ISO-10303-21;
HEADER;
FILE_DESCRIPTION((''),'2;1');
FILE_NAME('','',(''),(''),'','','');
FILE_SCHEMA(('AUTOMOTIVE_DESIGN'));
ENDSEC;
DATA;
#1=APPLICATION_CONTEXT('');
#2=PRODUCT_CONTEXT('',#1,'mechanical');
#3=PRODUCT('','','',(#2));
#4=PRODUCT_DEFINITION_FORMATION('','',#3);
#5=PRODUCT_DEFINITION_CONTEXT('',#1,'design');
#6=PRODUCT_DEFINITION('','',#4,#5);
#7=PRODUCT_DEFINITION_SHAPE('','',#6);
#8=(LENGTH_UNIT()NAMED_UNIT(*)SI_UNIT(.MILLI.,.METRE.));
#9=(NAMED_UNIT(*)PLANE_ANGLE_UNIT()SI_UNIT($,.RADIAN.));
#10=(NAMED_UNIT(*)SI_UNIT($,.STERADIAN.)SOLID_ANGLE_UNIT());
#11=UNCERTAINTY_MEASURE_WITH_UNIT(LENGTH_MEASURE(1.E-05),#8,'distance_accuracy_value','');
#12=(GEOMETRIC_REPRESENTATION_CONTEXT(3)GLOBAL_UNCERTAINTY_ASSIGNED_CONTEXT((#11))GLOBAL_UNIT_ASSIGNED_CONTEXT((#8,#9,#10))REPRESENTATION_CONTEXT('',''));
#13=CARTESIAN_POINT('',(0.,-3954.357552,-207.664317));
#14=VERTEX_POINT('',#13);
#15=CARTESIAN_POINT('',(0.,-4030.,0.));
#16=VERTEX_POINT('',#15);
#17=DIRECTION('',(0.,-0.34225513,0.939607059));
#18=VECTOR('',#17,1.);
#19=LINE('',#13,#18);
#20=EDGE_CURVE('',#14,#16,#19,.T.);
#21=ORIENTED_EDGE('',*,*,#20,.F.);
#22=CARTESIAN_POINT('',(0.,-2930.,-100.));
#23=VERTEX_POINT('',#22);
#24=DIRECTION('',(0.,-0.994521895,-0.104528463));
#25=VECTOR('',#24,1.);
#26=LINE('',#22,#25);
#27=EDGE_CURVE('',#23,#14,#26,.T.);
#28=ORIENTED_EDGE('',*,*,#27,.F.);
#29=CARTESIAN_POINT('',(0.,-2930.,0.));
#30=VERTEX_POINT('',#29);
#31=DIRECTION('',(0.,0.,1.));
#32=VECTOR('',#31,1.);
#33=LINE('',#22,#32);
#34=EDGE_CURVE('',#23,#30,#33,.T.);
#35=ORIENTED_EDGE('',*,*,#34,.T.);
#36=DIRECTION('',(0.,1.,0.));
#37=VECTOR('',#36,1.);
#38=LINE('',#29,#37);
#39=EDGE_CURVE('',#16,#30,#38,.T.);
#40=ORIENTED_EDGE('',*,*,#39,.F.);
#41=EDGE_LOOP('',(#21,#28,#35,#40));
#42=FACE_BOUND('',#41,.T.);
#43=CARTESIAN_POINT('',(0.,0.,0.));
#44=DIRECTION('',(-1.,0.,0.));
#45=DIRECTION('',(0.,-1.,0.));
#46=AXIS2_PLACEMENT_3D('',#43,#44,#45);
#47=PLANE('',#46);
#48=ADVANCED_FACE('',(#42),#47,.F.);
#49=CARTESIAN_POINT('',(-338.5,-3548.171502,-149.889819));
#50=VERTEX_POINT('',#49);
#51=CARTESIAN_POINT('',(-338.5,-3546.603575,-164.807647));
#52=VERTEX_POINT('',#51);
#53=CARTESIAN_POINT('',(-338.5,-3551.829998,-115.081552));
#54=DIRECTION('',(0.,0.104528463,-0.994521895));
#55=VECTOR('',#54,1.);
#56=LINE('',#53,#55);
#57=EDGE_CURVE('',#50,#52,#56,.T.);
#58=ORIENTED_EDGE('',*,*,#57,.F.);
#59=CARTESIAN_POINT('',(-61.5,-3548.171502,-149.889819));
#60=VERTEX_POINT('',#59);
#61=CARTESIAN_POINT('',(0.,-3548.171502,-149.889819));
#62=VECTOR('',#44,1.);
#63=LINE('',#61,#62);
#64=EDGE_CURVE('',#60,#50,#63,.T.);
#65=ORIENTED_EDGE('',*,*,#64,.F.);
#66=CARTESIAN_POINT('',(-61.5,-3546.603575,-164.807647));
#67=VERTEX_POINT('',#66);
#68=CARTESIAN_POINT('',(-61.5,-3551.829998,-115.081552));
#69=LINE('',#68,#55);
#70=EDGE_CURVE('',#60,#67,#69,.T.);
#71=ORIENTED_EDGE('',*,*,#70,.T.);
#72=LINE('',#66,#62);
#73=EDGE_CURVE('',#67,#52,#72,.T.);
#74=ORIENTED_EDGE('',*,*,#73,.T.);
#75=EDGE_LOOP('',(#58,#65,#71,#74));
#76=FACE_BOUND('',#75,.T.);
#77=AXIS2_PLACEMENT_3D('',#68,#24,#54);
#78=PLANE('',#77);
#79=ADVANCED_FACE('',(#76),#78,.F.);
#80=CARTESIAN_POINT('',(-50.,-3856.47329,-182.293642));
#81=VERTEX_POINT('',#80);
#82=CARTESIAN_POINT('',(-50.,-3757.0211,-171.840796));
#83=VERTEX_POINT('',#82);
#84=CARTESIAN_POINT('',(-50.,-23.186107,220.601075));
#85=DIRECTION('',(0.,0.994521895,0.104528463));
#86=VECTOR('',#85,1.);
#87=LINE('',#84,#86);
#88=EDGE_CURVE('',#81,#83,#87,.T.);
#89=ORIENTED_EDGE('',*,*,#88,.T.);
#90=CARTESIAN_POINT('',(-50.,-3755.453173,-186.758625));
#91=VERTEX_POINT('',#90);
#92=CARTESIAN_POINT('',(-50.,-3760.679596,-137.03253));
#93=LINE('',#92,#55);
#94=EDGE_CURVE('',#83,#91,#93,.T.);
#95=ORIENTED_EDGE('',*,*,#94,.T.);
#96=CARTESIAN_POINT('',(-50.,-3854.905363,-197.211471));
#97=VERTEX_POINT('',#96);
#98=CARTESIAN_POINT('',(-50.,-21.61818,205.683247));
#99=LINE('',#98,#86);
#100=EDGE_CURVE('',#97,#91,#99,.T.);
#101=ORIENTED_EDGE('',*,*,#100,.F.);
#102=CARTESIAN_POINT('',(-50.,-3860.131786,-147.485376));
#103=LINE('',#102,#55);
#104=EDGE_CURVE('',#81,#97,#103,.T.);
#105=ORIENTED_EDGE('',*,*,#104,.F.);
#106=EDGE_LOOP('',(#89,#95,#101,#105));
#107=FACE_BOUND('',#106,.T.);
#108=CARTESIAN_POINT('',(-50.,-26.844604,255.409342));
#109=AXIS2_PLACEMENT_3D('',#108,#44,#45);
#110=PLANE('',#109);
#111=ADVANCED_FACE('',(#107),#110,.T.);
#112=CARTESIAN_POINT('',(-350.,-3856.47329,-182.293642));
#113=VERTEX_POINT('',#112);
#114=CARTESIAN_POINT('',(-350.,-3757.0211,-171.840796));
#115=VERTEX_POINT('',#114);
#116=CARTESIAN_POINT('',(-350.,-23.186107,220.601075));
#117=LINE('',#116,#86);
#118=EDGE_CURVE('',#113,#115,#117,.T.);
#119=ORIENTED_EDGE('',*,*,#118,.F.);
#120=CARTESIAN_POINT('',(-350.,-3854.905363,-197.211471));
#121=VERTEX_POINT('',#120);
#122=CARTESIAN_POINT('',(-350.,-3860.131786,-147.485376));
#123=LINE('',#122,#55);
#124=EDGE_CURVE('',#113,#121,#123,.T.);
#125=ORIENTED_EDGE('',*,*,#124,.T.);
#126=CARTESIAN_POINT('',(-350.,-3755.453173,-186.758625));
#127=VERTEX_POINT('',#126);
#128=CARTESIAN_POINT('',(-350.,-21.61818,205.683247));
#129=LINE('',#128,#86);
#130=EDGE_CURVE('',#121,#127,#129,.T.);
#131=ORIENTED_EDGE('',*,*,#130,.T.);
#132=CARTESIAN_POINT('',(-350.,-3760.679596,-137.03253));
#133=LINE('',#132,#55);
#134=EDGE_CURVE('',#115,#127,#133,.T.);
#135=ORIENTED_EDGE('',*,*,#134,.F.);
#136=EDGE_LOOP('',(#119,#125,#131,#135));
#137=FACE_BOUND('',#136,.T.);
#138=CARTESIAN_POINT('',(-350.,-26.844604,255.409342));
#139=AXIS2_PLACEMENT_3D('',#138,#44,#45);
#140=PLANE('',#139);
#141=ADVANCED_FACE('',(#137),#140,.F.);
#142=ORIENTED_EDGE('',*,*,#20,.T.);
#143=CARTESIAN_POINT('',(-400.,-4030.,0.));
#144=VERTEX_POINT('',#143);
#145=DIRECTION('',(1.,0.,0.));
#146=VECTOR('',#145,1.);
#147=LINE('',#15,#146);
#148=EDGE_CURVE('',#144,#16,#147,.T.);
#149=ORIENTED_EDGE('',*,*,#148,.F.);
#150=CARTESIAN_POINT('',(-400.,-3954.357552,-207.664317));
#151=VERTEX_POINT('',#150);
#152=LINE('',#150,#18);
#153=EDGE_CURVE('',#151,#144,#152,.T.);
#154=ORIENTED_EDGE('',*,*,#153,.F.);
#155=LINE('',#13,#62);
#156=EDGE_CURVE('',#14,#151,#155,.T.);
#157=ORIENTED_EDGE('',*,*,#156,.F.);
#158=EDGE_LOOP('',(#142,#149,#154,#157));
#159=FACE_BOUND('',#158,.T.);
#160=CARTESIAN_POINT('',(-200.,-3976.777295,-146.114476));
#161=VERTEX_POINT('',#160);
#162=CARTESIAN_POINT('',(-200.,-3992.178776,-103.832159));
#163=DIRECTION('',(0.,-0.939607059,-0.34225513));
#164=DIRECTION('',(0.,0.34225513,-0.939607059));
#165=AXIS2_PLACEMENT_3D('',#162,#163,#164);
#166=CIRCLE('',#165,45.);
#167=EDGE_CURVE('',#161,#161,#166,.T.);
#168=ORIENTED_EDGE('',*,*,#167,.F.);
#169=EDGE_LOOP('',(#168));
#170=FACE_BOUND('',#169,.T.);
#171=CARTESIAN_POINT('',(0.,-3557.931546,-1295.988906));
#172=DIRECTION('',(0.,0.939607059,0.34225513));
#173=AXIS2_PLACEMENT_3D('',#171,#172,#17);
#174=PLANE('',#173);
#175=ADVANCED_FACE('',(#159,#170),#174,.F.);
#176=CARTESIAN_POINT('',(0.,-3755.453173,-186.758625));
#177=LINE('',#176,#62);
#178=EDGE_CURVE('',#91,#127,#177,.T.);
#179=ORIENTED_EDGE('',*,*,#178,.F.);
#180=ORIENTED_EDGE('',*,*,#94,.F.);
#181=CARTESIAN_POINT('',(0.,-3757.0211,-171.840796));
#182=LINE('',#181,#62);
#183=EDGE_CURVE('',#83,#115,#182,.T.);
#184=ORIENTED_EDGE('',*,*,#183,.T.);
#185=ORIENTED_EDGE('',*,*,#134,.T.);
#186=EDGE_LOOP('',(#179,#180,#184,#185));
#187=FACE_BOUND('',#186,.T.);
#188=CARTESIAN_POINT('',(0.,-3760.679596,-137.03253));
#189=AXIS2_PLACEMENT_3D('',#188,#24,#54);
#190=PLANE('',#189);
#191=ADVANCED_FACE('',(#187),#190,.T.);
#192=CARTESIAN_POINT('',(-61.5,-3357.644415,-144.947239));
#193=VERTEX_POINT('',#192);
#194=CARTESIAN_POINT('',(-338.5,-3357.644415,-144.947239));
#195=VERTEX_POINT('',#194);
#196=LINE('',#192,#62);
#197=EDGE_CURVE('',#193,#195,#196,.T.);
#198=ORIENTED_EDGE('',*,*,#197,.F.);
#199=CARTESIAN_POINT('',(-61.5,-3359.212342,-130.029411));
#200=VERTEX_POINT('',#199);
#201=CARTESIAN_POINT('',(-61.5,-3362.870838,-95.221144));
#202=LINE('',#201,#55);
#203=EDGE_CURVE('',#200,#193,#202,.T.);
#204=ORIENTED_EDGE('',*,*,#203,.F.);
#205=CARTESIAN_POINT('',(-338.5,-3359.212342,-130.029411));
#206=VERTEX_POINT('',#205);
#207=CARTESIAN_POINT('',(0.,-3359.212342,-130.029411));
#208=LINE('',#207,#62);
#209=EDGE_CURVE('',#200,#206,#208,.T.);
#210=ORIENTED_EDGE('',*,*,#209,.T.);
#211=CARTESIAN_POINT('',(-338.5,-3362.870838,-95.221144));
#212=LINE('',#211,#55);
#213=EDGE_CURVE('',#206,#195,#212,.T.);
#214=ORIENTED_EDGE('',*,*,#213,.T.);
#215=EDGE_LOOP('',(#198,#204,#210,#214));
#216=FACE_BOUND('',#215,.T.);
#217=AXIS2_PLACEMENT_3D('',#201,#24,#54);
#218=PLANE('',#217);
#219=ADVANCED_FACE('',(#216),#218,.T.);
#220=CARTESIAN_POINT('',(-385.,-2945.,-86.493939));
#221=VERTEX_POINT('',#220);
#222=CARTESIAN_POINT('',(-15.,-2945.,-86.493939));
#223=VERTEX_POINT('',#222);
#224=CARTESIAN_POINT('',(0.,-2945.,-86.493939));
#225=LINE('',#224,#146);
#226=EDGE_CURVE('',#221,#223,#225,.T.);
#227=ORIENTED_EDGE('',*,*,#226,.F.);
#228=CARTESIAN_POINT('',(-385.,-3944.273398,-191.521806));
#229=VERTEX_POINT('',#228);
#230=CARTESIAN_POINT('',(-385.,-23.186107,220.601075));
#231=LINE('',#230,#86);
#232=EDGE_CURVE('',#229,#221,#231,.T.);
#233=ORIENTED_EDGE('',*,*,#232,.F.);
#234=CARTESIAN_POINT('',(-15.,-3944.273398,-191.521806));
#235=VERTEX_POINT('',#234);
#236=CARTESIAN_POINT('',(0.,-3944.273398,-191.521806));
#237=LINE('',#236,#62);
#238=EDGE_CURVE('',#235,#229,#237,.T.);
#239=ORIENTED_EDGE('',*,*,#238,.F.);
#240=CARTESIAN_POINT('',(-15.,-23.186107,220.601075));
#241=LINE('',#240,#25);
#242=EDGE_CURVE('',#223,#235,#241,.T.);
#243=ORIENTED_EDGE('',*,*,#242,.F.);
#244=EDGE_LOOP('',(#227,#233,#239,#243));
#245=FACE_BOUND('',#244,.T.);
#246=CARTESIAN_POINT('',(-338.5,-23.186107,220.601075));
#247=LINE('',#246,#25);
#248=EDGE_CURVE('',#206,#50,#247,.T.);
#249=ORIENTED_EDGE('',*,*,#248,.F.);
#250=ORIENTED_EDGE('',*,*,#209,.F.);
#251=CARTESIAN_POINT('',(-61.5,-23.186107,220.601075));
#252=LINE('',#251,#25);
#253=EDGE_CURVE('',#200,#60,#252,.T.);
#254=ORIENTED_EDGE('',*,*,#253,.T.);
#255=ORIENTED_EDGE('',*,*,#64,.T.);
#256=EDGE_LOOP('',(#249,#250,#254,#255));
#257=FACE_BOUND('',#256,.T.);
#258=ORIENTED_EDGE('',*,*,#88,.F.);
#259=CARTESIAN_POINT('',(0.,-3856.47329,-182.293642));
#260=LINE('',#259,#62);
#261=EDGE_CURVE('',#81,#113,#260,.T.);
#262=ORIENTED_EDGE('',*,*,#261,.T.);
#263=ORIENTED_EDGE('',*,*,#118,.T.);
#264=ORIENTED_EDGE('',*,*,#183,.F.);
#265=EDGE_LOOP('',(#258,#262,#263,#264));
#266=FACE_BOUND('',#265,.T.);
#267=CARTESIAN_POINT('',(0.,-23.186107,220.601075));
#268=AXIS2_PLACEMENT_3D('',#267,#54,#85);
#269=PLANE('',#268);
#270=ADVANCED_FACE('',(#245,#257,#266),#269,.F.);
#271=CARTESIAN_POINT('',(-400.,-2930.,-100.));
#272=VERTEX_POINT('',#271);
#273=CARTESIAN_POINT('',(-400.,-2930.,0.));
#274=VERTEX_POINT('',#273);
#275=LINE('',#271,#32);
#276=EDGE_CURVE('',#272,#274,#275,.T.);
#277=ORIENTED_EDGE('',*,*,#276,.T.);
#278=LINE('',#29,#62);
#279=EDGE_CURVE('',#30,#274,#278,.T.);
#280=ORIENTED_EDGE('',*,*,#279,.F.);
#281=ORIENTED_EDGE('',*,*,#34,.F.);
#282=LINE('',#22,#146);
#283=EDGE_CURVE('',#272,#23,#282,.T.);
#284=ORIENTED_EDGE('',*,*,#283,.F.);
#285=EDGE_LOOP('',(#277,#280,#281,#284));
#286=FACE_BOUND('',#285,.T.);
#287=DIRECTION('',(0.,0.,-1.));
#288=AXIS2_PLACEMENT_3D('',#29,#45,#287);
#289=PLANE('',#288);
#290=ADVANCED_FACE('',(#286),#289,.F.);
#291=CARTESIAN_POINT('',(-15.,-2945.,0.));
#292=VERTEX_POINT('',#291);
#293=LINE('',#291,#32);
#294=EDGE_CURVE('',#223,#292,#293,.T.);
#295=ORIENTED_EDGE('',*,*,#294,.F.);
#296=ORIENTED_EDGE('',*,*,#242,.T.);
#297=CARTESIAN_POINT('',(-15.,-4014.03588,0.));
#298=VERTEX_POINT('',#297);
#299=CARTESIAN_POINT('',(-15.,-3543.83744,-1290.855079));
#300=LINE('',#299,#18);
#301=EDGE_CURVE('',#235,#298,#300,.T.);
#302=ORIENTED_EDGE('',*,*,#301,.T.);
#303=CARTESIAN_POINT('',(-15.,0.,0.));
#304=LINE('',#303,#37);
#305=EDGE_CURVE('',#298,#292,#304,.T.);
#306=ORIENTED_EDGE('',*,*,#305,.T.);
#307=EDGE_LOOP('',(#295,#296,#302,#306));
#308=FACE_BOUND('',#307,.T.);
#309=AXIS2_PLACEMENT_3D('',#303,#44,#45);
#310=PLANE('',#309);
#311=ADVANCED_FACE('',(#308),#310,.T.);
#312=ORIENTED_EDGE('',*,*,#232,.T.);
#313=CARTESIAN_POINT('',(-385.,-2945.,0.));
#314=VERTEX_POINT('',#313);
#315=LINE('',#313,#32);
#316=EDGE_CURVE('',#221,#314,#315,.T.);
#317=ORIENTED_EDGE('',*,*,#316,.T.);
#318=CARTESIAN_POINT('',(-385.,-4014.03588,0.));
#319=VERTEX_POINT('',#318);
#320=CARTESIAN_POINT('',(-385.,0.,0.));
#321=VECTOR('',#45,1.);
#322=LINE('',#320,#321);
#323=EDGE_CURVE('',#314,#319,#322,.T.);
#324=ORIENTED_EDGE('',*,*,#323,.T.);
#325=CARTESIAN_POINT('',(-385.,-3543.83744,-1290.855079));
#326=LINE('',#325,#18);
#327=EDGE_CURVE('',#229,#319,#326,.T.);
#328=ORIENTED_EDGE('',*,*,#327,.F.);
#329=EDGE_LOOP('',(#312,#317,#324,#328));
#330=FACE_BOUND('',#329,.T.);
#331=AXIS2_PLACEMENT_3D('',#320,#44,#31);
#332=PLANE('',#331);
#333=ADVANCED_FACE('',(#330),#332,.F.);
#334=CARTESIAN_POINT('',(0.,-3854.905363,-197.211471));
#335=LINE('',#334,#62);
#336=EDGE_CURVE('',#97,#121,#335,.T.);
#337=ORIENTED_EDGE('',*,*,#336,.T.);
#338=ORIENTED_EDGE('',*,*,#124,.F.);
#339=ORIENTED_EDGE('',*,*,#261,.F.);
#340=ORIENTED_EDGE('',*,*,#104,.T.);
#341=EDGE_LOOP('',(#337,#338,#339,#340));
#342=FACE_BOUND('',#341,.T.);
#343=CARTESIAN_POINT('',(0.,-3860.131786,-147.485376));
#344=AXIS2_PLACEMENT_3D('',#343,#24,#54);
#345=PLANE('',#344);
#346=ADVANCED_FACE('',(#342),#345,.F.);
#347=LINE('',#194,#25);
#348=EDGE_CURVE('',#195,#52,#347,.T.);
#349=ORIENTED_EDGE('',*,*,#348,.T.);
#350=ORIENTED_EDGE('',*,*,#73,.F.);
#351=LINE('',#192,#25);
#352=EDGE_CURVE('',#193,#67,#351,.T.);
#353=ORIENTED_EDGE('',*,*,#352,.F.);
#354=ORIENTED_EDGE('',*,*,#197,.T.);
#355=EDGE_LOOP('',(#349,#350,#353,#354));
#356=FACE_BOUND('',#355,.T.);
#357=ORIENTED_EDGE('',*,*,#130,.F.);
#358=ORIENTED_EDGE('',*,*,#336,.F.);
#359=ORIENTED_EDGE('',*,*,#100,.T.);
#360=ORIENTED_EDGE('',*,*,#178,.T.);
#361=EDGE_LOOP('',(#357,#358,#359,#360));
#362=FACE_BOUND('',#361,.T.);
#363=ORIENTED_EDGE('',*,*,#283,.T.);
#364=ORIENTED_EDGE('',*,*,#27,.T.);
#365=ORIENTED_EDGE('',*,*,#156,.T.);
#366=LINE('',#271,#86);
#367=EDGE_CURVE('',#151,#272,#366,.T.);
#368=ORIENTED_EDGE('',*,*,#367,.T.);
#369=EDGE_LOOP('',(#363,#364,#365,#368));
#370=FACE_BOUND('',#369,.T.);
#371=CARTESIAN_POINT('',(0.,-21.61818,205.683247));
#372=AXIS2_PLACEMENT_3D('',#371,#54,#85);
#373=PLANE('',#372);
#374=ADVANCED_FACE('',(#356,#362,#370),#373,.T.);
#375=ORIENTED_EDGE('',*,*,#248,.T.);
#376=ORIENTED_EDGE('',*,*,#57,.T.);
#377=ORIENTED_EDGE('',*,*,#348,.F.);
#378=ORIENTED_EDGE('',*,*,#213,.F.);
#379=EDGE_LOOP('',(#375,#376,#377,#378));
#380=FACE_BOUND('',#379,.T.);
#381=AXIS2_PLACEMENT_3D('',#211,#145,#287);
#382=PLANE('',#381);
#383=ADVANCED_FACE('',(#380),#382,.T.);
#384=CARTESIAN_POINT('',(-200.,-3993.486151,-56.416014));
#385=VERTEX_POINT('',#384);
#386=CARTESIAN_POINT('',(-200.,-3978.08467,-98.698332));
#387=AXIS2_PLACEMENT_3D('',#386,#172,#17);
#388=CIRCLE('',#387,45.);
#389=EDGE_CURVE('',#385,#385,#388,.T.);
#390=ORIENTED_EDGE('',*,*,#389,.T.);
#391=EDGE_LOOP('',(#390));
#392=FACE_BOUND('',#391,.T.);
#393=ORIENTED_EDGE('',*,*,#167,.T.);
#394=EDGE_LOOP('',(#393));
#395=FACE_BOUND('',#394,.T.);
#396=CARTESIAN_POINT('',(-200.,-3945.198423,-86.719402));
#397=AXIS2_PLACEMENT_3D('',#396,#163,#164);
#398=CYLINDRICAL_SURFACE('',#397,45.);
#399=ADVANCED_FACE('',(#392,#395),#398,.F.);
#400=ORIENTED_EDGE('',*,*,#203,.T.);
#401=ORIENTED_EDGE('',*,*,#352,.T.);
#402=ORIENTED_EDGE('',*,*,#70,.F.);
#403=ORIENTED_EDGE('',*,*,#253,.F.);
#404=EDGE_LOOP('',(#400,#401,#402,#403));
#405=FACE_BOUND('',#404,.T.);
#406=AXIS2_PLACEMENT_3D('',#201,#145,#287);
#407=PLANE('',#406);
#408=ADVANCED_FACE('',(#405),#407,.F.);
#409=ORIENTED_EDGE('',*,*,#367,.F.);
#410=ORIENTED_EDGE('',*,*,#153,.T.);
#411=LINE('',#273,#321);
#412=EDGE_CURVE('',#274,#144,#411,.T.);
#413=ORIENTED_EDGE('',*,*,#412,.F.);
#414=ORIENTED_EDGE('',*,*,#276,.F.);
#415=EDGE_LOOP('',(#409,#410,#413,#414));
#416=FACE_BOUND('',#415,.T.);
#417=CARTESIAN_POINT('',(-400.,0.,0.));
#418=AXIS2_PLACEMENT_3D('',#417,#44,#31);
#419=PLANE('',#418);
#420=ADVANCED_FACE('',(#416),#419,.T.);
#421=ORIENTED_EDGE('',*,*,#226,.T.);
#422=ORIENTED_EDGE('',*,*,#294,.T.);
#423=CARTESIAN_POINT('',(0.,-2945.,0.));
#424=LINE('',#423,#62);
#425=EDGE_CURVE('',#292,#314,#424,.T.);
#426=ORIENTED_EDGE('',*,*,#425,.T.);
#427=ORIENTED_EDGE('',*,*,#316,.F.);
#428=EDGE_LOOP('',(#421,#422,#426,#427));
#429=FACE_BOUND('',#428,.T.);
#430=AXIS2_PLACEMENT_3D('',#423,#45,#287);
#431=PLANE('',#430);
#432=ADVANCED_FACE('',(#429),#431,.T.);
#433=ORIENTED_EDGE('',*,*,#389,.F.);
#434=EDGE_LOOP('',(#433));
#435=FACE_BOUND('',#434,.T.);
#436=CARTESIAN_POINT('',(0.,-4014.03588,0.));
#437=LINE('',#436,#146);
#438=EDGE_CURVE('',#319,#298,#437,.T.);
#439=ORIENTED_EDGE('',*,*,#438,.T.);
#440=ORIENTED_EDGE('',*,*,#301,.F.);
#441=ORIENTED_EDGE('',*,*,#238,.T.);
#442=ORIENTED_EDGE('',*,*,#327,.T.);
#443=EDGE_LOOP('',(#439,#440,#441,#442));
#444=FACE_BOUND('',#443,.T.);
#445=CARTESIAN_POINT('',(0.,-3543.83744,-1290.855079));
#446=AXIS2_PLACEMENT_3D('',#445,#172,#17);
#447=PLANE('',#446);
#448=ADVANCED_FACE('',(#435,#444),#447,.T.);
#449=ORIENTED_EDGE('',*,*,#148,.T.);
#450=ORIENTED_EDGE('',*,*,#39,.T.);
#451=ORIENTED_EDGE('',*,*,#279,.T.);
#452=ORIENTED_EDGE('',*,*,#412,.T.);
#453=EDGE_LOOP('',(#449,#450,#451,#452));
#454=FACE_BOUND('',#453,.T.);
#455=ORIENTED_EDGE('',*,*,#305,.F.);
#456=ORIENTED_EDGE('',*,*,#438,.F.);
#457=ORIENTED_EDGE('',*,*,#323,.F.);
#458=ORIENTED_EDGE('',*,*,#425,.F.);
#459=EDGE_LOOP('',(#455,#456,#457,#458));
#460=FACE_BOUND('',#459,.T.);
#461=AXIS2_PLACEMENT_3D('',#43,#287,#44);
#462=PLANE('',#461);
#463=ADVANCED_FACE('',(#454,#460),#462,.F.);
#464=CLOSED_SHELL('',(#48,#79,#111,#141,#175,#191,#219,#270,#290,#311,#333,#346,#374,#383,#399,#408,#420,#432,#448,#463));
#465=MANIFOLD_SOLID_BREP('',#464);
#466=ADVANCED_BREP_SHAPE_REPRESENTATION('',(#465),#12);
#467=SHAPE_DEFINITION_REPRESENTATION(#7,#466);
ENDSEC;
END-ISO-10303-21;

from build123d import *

# Parameters (mm, degrees)
SKETCH6_W          = 300
SKETCH6_H          = 100
SKETCH6_W_2        = 277
SKETCH6_H_2        = 190
CUT_EXTRUDE1_DEPTH = 50
SHELL1_T           = -15
SKETCH7_R          = 45
CUT_EXTRUDE2_DEPTH = 50


with BuildPart() as part:
    # Sketch4 → Loft1 section 0
    with BuildSketch(Plane(origin=(0, -21.618180384, 205.683247011), x_dir=(1, 0, 0), z_dir=(0, 0.10452846326765355, -0.9945218953682733))):
        with BuildLine():
            Line((0, 2924.401999756), (-400, 2924.401999756))
            Line((-400, 2924.401999756), (-400, 3954.401999756))
            Line((-400, 3954.401999756), (0, 3954.401999756))
            Line((0, 3954.401999756), (0, 2924.401999756))
        make_face()
    # Sketch2 → Loft1 section 1
    with BuildSketch(Plane.XY):
        with BuildLine():
            Line((0, -2930), (-400, -2930))
            Line((-400, -2930), (-400, -4030))
            Line((-400, -4030), (0, -4030))
            Line((0, -4030), (0, -2930))
        make_face()
    loft()

    # Sketch6 → Cut-Extrude1 (cut)
    with BuildSketch(Plane(origin=(0, -21.618180384, 205.683247011), x_dir=(-1, 0, 0), z_dir=(0, 0.1045284632676537, -0.9945218953682733))):
        with Locations((200, -3804.401999756)):
            Rectangle(SKETCH6_W, SKETCH6_H)
        with Locations((200, -3449.401999756)):
            Rectangle(SKETCH6_W_2, SKETCH6_H_2)
    extrude(amount=-CUT_EXTRUDE1_DEPTH, mode=Mode.SUBTRACT)

    # Shell1
    shell1_openings = [part.faces().sort_by_distance(p)[0] for p in [
        (-200, -3480, 0),
        (-200, -3857.518574274, -172.348423455),
        (-350, -3807.792479506, -167.122000291),
        (-200, -3758.066384737, -161.895577128),
        (-50, -3807.792479506, -167.122000291),
        (-61.5, -3454.73720665, -130.014395831),
        (-200, -3549.21678671, -139.944599842),
        (-338.5, -3454.73720665, -130.014395831),
        (-200, -3360.25762659, -120.084191821),
        (-200, -3810.405691087, -142.258952907),
        (-200, -3457.350418232, -105.151348447),
    ]]
    offset(amount=SHELL1_T, openings=shell1_openings, kind=Kind.INTERSECTION)

    # Sketch7 → Cut-Extrude2 (cut)
    with BuildSketch(Plane(origin=(0, -3557.931546215, -1295.988905699), x_dir=(1, 0, 0), z_dir=(0, -0.9396070592858665, -0.34225513018823583))):
        with Locations(Location((-200, 1268.782237568, 0), (0, 0, 270))):
            Circle(SKETCH7_R)
    extrude(amount=-CUT_EXTRUDE2_DEPTH, mode=Mode.SUBTRACT)


solid = part.part
